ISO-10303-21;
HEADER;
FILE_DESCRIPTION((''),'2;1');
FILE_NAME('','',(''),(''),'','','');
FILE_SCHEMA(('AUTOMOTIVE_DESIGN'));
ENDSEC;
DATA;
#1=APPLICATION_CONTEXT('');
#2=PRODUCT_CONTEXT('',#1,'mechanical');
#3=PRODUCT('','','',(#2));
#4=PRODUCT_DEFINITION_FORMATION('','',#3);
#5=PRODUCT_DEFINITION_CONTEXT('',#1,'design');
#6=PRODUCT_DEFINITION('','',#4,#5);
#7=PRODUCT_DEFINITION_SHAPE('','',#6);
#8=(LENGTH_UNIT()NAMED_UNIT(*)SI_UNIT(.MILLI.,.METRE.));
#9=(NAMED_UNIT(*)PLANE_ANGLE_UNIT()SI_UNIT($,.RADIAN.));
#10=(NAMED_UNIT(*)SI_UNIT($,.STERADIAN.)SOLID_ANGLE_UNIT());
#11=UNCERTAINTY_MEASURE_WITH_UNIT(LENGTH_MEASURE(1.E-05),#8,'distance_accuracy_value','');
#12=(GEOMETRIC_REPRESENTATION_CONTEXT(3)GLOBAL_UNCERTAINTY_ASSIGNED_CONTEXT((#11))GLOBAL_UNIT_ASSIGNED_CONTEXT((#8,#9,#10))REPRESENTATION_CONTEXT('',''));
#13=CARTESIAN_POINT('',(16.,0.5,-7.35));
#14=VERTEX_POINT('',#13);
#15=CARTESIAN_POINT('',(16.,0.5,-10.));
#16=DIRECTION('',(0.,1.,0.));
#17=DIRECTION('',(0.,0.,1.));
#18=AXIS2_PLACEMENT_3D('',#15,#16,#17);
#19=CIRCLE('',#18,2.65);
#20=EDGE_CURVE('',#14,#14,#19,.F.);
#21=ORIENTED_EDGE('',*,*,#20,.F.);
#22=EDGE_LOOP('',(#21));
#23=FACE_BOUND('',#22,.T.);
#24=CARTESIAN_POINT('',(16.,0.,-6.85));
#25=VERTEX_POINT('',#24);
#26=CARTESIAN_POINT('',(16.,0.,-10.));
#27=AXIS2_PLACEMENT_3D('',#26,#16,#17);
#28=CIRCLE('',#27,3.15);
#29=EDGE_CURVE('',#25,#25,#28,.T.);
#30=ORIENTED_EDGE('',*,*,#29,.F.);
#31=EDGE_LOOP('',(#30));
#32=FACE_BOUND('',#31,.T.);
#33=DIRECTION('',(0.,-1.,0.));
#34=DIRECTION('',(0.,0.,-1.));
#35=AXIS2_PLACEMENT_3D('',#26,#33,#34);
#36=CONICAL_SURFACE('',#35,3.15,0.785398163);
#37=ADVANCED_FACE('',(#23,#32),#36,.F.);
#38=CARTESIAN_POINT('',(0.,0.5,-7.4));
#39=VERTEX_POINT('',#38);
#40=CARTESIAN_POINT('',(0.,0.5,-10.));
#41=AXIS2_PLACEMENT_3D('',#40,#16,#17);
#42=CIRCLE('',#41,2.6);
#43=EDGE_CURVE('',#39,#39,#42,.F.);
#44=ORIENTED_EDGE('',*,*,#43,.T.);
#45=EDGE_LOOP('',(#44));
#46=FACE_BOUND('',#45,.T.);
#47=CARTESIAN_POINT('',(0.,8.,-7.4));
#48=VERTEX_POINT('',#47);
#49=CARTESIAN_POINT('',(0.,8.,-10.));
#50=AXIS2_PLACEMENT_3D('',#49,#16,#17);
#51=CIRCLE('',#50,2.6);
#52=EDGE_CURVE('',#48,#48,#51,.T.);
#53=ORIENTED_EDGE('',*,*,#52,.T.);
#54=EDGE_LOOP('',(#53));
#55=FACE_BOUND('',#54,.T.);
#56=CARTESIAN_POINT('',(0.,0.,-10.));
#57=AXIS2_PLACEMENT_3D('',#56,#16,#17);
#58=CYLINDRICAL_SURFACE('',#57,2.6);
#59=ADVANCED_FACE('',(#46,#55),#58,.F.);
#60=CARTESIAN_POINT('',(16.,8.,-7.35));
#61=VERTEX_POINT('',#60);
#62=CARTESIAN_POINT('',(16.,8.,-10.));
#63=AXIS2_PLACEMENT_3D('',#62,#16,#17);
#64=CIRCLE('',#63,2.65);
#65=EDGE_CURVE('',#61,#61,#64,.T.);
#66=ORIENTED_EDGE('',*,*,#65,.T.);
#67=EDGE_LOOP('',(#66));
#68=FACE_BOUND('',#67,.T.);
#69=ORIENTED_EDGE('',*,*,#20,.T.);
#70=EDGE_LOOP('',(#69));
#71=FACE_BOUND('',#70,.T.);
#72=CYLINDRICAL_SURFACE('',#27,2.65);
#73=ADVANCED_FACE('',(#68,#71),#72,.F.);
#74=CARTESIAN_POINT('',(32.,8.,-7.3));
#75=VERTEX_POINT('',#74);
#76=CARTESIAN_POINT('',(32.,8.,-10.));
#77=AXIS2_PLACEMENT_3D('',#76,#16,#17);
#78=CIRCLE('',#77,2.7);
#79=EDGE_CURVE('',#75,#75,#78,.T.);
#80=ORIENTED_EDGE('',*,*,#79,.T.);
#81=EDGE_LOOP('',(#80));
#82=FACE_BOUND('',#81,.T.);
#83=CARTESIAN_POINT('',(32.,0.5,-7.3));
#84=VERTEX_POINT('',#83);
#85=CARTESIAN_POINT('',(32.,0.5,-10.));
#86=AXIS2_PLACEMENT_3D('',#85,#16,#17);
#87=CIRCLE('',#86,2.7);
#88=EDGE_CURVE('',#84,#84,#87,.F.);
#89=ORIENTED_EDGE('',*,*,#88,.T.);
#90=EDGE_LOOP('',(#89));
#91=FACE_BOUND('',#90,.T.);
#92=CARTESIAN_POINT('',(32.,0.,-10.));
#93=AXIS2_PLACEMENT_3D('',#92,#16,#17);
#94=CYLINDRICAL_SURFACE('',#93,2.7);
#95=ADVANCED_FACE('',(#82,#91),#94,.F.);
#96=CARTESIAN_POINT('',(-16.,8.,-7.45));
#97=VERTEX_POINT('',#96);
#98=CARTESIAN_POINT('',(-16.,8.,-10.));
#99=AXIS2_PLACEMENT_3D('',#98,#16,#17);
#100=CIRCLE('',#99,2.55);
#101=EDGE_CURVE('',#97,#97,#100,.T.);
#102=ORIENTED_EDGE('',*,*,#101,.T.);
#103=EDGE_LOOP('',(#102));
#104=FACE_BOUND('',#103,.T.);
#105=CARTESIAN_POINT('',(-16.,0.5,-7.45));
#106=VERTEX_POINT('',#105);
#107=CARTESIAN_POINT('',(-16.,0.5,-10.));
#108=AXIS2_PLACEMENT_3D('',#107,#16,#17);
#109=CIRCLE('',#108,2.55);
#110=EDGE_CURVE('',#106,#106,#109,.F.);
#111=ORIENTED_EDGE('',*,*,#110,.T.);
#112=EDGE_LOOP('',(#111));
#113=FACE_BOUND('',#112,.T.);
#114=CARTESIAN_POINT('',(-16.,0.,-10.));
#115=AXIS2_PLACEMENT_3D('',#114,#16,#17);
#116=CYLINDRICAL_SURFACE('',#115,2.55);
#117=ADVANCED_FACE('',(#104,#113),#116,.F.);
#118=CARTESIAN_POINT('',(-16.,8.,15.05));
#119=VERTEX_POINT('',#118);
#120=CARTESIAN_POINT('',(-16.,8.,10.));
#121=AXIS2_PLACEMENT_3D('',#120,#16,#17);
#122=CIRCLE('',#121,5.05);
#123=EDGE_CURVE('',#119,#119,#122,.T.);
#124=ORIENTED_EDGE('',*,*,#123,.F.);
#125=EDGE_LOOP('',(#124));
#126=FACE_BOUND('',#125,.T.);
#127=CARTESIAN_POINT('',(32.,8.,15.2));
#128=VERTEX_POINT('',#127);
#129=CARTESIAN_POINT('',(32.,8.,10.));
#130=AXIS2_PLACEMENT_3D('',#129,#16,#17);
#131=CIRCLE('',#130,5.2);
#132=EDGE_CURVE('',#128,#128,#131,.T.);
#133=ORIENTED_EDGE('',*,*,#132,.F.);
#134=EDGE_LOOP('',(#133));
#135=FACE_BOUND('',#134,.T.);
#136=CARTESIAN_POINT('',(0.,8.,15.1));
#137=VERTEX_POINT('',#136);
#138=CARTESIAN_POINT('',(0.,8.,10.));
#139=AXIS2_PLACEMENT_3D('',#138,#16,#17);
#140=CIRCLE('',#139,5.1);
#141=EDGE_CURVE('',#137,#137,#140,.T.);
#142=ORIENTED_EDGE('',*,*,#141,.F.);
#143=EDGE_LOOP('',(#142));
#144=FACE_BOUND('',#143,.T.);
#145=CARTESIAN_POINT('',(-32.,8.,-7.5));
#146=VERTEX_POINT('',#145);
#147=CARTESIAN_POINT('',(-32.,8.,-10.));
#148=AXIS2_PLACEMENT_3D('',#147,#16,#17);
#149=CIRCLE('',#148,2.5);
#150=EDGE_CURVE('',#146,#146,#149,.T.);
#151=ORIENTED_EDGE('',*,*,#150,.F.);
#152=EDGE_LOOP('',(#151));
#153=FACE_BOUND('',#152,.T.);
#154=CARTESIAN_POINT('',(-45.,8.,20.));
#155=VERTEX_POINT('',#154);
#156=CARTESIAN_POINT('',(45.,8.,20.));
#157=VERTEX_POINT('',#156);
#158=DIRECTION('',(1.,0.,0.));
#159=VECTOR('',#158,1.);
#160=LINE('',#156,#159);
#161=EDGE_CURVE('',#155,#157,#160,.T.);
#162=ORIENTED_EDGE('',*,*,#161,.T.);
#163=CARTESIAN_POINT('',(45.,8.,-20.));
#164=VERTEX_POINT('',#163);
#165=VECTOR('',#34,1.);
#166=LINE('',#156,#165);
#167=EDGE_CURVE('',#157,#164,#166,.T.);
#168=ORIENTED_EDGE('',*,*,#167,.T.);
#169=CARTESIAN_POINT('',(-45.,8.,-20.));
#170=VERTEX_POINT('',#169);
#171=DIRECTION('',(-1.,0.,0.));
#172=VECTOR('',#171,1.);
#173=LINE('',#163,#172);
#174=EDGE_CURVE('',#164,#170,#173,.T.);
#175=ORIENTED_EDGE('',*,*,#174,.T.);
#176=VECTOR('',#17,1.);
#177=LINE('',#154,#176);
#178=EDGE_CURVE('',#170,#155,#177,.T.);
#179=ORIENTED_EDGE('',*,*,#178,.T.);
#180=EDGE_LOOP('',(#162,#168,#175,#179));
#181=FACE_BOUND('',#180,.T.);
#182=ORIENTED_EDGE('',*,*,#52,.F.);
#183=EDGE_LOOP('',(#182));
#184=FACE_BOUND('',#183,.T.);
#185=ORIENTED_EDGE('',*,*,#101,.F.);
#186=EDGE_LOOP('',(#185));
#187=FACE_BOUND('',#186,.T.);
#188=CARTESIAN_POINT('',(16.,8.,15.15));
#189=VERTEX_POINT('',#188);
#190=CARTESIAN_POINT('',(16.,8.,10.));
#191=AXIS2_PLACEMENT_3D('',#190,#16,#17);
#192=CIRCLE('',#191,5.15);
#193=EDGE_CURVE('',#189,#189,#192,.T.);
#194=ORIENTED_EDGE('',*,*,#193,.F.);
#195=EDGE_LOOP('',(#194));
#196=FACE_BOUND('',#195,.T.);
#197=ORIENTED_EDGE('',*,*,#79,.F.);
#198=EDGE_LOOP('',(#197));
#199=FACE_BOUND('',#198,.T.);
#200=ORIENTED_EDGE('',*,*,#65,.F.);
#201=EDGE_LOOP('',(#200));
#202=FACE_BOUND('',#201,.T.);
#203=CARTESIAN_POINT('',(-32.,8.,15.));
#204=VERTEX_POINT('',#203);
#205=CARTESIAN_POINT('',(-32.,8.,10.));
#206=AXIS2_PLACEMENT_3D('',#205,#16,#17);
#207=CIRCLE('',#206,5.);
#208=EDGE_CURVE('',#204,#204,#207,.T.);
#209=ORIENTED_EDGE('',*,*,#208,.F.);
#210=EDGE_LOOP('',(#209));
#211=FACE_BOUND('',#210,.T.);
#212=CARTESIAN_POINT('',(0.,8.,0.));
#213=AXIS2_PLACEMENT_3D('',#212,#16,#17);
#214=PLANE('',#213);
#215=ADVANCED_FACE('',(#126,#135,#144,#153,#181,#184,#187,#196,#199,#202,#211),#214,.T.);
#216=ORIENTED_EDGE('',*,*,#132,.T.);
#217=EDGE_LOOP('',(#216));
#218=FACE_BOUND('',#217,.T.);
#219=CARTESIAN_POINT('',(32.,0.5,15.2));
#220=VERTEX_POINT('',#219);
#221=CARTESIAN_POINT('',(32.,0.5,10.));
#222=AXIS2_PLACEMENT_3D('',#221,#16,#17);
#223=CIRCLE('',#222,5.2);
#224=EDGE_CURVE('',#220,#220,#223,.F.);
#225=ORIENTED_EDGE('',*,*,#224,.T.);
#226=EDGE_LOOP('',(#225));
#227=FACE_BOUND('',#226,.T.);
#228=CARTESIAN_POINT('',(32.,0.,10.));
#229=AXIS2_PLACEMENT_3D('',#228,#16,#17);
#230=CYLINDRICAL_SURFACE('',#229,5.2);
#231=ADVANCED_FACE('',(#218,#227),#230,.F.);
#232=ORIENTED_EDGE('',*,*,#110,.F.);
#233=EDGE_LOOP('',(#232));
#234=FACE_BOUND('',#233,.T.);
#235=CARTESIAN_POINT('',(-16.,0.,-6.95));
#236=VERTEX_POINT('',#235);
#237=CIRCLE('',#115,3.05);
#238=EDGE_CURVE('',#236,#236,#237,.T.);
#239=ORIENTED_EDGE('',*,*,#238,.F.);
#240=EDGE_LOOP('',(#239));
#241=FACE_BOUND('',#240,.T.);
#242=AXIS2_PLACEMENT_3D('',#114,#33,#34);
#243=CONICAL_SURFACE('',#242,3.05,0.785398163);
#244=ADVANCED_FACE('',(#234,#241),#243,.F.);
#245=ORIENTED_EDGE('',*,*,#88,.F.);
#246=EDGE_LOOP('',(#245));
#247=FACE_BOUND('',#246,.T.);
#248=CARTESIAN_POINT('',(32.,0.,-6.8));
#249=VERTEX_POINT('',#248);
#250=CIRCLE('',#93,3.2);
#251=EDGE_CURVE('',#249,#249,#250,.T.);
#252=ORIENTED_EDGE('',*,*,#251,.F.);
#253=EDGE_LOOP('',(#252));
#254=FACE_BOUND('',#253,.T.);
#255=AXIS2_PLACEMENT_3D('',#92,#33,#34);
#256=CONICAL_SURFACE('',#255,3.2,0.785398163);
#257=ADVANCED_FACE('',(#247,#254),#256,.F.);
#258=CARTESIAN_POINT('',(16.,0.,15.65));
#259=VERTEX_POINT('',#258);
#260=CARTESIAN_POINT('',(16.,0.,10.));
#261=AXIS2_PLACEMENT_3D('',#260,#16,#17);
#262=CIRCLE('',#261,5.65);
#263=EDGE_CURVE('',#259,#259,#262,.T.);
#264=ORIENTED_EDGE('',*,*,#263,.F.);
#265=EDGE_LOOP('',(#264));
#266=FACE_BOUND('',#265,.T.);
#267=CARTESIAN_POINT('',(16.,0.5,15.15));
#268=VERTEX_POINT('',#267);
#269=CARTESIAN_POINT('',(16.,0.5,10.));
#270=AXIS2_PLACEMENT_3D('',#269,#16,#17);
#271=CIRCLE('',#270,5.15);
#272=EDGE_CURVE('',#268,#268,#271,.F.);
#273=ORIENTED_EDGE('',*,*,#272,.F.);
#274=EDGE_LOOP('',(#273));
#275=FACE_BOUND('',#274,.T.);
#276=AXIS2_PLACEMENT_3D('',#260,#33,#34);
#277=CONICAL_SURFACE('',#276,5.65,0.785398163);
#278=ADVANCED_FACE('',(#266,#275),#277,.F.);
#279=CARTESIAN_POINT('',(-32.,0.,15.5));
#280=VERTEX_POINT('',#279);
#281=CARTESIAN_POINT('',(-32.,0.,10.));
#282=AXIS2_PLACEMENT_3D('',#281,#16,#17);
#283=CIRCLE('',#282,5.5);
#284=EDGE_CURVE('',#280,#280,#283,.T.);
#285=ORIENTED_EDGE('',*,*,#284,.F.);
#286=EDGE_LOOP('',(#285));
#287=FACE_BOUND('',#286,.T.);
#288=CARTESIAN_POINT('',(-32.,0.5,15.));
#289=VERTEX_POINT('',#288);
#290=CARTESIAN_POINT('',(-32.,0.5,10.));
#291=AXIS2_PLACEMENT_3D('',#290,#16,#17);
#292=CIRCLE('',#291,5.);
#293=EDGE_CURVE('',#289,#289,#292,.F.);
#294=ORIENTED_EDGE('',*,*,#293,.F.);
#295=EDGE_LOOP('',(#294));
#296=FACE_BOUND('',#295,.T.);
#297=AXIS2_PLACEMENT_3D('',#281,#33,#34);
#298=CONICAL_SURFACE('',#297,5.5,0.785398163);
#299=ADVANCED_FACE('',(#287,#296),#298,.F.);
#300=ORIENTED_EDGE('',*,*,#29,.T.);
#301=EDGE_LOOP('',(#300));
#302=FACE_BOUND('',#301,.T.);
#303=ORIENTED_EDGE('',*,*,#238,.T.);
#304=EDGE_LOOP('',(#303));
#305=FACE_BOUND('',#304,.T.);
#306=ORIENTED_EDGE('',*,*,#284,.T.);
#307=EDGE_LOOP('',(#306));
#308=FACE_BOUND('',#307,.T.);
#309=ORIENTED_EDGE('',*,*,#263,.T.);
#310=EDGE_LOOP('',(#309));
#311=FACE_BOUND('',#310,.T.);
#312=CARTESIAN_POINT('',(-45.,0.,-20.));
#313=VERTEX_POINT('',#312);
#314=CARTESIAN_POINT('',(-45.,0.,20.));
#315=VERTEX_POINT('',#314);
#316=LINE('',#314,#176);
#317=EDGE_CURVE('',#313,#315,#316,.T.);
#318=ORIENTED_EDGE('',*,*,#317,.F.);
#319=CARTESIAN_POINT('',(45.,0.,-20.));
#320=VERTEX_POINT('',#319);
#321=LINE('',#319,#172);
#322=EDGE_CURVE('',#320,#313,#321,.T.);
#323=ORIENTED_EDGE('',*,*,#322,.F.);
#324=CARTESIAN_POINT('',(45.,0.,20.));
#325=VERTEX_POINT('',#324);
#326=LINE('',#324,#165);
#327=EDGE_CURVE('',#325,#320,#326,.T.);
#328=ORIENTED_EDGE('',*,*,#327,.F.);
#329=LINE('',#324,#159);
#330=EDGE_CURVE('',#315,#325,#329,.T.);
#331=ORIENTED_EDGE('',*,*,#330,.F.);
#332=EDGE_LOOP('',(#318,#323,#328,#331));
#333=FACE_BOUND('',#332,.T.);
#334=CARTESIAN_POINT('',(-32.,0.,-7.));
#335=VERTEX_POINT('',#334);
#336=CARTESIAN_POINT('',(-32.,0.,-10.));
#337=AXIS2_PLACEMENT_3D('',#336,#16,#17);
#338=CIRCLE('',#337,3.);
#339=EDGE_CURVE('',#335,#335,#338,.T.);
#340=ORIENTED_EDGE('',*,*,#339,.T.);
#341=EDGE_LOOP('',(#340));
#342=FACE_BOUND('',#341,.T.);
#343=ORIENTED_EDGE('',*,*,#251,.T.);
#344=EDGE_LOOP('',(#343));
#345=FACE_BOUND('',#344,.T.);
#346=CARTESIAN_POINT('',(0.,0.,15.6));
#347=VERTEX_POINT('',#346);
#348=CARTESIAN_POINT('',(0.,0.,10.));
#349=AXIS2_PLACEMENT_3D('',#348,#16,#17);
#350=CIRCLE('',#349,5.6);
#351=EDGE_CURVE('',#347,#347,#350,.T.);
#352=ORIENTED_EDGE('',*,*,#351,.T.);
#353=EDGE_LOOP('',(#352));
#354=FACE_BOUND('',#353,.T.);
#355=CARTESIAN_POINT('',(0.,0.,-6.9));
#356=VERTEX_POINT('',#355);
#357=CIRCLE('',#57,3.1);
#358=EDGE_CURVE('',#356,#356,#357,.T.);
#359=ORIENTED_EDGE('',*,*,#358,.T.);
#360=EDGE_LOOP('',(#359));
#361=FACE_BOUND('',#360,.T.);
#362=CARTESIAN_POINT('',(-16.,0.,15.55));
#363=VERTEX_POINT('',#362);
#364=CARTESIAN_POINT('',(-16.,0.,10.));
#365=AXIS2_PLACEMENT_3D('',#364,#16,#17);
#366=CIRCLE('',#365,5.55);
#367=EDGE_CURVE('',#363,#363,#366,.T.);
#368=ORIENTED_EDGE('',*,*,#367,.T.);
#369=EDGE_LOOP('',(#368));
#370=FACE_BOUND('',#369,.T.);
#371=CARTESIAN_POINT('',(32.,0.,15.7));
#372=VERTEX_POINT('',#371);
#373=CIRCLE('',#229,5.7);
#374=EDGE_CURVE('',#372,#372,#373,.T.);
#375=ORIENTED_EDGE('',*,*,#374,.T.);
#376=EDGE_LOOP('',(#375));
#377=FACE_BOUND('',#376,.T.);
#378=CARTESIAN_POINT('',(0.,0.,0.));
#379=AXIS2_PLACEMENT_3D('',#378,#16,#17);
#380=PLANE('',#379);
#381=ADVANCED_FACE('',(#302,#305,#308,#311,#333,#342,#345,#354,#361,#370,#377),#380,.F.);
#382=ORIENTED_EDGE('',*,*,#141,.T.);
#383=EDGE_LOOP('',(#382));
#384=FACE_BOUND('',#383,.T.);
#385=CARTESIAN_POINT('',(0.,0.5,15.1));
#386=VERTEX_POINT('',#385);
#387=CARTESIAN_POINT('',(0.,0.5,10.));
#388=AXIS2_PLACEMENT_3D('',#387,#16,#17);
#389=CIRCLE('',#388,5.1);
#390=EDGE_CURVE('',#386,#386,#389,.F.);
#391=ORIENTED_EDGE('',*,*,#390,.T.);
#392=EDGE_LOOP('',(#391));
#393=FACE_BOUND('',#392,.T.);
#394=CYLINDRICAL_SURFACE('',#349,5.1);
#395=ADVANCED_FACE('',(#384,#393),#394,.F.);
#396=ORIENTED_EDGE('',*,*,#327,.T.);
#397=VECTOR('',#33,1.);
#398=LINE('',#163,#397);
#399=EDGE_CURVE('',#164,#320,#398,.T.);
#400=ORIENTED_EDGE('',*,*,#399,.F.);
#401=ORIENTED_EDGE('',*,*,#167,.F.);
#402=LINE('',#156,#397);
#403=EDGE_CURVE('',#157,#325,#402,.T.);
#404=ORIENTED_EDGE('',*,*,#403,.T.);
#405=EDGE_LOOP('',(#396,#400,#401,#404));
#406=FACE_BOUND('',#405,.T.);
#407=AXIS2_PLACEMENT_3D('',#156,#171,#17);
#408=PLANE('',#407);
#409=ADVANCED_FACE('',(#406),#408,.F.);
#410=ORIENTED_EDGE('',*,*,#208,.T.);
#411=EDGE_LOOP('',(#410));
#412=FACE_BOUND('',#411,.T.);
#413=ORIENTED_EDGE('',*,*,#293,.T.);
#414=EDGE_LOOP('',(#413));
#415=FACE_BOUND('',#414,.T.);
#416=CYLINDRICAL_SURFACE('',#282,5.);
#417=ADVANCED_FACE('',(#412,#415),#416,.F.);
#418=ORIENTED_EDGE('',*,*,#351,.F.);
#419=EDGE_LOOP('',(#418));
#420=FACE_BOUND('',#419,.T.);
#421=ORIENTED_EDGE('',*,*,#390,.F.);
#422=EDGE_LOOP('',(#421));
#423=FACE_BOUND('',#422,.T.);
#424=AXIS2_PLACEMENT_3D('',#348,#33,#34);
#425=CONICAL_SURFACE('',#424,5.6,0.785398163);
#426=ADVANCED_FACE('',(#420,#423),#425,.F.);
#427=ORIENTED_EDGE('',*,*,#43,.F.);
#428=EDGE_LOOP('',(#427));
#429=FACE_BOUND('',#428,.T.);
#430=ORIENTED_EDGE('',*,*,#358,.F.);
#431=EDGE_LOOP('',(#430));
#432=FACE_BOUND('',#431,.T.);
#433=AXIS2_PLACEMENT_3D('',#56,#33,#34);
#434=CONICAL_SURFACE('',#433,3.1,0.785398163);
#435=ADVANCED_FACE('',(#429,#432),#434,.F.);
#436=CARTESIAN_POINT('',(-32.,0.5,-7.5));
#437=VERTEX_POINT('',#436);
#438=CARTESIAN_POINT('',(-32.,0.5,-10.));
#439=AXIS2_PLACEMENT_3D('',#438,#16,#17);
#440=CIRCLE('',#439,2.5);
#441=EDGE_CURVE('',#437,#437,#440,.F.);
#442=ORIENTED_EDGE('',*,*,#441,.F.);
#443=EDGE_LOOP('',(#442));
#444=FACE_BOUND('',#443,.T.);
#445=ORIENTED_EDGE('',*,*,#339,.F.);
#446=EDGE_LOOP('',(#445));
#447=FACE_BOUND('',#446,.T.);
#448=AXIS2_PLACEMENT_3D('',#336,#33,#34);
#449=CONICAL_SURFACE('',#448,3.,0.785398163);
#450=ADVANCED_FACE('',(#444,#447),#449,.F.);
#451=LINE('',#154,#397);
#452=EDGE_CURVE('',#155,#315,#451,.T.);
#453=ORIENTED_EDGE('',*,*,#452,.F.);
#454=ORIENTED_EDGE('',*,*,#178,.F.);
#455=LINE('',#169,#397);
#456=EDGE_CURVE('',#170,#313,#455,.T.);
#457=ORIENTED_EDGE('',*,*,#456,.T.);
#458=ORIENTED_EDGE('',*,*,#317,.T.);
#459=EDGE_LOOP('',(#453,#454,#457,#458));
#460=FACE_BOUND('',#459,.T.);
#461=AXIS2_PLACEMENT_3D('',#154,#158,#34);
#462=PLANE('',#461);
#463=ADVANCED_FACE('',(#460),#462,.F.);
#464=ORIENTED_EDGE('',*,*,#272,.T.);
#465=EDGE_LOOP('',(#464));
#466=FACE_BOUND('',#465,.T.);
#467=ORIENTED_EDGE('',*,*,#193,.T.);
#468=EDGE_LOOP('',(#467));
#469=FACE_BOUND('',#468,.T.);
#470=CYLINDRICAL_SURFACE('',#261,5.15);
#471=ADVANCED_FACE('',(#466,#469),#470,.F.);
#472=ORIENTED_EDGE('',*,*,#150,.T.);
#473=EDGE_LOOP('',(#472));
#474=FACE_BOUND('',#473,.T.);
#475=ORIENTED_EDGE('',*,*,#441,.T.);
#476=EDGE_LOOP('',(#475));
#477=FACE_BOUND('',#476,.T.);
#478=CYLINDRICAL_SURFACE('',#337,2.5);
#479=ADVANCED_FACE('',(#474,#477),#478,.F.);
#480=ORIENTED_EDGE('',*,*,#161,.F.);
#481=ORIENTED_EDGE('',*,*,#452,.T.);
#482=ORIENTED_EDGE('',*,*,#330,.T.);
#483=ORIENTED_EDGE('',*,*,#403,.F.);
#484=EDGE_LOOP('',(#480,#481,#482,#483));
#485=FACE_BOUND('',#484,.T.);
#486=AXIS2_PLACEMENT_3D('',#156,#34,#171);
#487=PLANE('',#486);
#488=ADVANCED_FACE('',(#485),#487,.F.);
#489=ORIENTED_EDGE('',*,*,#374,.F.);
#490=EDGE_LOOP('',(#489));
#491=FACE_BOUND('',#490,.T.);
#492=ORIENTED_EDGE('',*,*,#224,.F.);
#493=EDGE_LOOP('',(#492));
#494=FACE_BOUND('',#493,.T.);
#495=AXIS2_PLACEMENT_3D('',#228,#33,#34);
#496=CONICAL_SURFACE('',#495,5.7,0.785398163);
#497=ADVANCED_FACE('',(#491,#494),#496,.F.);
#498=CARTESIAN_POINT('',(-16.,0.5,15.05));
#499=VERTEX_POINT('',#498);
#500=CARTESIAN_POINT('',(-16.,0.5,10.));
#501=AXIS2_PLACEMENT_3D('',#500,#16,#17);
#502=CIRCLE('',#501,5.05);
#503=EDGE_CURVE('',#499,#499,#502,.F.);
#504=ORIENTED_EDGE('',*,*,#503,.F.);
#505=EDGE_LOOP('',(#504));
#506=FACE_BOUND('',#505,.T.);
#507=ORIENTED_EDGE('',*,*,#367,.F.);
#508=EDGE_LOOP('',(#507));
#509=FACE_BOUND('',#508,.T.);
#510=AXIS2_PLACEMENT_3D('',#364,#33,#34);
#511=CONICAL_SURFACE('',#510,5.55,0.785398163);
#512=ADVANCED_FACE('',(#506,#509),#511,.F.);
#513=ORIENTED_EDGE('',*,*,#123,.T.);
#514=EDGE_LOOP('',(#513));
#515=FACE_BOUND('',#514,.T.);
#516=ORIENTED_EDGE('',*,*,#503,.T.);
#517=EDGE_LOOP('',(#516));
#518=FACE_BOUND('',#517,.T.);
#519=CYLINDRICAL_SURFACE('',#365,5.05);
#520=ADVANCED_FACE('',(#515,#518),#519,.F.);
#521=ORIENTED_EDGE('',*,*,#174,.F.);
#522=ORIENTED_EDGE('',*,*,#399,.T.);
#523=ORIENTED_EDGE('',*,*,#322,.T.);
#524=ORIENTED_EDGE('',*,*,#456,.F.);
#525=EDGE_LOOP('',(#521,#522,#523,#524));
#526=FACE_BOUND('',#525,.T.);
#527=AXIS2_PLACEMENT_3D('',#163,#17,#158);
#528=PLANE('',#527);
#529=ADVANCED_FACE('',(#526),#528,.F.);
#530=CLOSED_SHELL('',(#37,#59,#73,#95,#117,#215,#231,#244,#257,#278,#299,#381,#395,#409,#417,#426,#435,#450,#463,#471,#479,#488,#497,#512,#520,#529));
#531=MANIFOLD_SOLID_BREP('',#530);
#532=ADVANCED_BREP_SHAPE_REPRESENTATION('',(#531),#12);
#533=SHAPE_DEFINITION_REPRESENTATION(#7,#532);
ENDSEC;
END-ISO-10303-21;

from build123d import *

# Parameters (mm, degrees)
SKETCH1_W         = 90
SKETCH1_H         = 40
PLATE_DEPTH       = 8
SKETCH2_R         = 2.5
SKETCH2_R_2       = 2.55
SKETCH2_R_3       = 2.6
SKETCH2_R_4       = 2.65
SKETCH2_R_5       = 2.7
SKETCH2_R_6       = 5
SKETCH2_R_7       = 5.05
SKETCH2_R_8       = 5.1
SKETCH2_R_9       = 5.15
SKETCH2_R_10      = 5.2
TEST_HOLES_DEPTH  = 50.889878733
BED_CHAMFERS_SIZE = 0.5


with BuildPart() as part:
    # Sketch1 → Plate (new body)
    with BuildSketch(Plane(origin=(0, 0, 0), x_dir=(1, 0, 0), z_dir=(0, 1, 0))):
        Rectangle(SKETCH1_W, SKETCH1_H)
    extrude(amount=PLATE_DEPTH)

    # Sketch2 → Test holes (cut, through all)
    with BuildSketch(Plane(origin=(0, 8, 0), x_dir=(1, 0, 0), z_dir=(0, 1, 0))):
        with Locations(Location((-32, 10, 0), (0, 0, 270))):
            Circle(SKETCH2_R)
        with Locations(Location((-16, 10, 0), (0, 0, 270))):
            Circle(SKETCH2_R_2)
        with Locations(Location((0, 10, 0), (0, 0, 270))):
            Circle(SKETCH2_R_3)
        with Locations(Location((16, 10, 0), (0, 0, 270))):
            Circle(SKETCH2_R_4)
        with Locations(Location((32, 10, 0), (0, 0, 270))):
            Circle(SKETCH2_R_5)
        with Locations(Location((-32, -10, 0), (0, 0, 270))):
            Circle(SKETCH2_R_6)
        with Locations(Location((-16, -10, 0), (0, 0, 270))):
            Circle(SKETCH2_R_7)
        with Locations(Location((0, -10, 0), (0, 0, 270))):
            Circle(SKETCH2_R_8)
        with Locations(Location((16, -10, 0), (0, 0, 270))):
            Circle(SKETCH2_R_9)
        with Locations(Location((32, -10, 0), (0, 0, 270))):
            Circle(SKETCH2_R_10)
    extrude(amount=-TEST_HOLES_DEPTH, mode=Mode.SUBTRACT)

    # Bed chamfers
    bed_chamfers_edges = [part.edges().sort_by_distance(p)[0] for p in [
        (-16, 0, -12.55),
        (0, 0, -12.6),
        (16, 0, -12.65),
        (32, 0, -12.7),
        (-32, 0, 5),
        (-16, 0, 4.95),
        (0, 0, 4.9),
        (16, 0, 4.85),
        (32, 0, 4.8),
        (-32, 0, -12.5),
    ]]
    chamfer(bed_chamfers_edges, length=BED_CHAMFERS_SIZE)


solid = part.part
